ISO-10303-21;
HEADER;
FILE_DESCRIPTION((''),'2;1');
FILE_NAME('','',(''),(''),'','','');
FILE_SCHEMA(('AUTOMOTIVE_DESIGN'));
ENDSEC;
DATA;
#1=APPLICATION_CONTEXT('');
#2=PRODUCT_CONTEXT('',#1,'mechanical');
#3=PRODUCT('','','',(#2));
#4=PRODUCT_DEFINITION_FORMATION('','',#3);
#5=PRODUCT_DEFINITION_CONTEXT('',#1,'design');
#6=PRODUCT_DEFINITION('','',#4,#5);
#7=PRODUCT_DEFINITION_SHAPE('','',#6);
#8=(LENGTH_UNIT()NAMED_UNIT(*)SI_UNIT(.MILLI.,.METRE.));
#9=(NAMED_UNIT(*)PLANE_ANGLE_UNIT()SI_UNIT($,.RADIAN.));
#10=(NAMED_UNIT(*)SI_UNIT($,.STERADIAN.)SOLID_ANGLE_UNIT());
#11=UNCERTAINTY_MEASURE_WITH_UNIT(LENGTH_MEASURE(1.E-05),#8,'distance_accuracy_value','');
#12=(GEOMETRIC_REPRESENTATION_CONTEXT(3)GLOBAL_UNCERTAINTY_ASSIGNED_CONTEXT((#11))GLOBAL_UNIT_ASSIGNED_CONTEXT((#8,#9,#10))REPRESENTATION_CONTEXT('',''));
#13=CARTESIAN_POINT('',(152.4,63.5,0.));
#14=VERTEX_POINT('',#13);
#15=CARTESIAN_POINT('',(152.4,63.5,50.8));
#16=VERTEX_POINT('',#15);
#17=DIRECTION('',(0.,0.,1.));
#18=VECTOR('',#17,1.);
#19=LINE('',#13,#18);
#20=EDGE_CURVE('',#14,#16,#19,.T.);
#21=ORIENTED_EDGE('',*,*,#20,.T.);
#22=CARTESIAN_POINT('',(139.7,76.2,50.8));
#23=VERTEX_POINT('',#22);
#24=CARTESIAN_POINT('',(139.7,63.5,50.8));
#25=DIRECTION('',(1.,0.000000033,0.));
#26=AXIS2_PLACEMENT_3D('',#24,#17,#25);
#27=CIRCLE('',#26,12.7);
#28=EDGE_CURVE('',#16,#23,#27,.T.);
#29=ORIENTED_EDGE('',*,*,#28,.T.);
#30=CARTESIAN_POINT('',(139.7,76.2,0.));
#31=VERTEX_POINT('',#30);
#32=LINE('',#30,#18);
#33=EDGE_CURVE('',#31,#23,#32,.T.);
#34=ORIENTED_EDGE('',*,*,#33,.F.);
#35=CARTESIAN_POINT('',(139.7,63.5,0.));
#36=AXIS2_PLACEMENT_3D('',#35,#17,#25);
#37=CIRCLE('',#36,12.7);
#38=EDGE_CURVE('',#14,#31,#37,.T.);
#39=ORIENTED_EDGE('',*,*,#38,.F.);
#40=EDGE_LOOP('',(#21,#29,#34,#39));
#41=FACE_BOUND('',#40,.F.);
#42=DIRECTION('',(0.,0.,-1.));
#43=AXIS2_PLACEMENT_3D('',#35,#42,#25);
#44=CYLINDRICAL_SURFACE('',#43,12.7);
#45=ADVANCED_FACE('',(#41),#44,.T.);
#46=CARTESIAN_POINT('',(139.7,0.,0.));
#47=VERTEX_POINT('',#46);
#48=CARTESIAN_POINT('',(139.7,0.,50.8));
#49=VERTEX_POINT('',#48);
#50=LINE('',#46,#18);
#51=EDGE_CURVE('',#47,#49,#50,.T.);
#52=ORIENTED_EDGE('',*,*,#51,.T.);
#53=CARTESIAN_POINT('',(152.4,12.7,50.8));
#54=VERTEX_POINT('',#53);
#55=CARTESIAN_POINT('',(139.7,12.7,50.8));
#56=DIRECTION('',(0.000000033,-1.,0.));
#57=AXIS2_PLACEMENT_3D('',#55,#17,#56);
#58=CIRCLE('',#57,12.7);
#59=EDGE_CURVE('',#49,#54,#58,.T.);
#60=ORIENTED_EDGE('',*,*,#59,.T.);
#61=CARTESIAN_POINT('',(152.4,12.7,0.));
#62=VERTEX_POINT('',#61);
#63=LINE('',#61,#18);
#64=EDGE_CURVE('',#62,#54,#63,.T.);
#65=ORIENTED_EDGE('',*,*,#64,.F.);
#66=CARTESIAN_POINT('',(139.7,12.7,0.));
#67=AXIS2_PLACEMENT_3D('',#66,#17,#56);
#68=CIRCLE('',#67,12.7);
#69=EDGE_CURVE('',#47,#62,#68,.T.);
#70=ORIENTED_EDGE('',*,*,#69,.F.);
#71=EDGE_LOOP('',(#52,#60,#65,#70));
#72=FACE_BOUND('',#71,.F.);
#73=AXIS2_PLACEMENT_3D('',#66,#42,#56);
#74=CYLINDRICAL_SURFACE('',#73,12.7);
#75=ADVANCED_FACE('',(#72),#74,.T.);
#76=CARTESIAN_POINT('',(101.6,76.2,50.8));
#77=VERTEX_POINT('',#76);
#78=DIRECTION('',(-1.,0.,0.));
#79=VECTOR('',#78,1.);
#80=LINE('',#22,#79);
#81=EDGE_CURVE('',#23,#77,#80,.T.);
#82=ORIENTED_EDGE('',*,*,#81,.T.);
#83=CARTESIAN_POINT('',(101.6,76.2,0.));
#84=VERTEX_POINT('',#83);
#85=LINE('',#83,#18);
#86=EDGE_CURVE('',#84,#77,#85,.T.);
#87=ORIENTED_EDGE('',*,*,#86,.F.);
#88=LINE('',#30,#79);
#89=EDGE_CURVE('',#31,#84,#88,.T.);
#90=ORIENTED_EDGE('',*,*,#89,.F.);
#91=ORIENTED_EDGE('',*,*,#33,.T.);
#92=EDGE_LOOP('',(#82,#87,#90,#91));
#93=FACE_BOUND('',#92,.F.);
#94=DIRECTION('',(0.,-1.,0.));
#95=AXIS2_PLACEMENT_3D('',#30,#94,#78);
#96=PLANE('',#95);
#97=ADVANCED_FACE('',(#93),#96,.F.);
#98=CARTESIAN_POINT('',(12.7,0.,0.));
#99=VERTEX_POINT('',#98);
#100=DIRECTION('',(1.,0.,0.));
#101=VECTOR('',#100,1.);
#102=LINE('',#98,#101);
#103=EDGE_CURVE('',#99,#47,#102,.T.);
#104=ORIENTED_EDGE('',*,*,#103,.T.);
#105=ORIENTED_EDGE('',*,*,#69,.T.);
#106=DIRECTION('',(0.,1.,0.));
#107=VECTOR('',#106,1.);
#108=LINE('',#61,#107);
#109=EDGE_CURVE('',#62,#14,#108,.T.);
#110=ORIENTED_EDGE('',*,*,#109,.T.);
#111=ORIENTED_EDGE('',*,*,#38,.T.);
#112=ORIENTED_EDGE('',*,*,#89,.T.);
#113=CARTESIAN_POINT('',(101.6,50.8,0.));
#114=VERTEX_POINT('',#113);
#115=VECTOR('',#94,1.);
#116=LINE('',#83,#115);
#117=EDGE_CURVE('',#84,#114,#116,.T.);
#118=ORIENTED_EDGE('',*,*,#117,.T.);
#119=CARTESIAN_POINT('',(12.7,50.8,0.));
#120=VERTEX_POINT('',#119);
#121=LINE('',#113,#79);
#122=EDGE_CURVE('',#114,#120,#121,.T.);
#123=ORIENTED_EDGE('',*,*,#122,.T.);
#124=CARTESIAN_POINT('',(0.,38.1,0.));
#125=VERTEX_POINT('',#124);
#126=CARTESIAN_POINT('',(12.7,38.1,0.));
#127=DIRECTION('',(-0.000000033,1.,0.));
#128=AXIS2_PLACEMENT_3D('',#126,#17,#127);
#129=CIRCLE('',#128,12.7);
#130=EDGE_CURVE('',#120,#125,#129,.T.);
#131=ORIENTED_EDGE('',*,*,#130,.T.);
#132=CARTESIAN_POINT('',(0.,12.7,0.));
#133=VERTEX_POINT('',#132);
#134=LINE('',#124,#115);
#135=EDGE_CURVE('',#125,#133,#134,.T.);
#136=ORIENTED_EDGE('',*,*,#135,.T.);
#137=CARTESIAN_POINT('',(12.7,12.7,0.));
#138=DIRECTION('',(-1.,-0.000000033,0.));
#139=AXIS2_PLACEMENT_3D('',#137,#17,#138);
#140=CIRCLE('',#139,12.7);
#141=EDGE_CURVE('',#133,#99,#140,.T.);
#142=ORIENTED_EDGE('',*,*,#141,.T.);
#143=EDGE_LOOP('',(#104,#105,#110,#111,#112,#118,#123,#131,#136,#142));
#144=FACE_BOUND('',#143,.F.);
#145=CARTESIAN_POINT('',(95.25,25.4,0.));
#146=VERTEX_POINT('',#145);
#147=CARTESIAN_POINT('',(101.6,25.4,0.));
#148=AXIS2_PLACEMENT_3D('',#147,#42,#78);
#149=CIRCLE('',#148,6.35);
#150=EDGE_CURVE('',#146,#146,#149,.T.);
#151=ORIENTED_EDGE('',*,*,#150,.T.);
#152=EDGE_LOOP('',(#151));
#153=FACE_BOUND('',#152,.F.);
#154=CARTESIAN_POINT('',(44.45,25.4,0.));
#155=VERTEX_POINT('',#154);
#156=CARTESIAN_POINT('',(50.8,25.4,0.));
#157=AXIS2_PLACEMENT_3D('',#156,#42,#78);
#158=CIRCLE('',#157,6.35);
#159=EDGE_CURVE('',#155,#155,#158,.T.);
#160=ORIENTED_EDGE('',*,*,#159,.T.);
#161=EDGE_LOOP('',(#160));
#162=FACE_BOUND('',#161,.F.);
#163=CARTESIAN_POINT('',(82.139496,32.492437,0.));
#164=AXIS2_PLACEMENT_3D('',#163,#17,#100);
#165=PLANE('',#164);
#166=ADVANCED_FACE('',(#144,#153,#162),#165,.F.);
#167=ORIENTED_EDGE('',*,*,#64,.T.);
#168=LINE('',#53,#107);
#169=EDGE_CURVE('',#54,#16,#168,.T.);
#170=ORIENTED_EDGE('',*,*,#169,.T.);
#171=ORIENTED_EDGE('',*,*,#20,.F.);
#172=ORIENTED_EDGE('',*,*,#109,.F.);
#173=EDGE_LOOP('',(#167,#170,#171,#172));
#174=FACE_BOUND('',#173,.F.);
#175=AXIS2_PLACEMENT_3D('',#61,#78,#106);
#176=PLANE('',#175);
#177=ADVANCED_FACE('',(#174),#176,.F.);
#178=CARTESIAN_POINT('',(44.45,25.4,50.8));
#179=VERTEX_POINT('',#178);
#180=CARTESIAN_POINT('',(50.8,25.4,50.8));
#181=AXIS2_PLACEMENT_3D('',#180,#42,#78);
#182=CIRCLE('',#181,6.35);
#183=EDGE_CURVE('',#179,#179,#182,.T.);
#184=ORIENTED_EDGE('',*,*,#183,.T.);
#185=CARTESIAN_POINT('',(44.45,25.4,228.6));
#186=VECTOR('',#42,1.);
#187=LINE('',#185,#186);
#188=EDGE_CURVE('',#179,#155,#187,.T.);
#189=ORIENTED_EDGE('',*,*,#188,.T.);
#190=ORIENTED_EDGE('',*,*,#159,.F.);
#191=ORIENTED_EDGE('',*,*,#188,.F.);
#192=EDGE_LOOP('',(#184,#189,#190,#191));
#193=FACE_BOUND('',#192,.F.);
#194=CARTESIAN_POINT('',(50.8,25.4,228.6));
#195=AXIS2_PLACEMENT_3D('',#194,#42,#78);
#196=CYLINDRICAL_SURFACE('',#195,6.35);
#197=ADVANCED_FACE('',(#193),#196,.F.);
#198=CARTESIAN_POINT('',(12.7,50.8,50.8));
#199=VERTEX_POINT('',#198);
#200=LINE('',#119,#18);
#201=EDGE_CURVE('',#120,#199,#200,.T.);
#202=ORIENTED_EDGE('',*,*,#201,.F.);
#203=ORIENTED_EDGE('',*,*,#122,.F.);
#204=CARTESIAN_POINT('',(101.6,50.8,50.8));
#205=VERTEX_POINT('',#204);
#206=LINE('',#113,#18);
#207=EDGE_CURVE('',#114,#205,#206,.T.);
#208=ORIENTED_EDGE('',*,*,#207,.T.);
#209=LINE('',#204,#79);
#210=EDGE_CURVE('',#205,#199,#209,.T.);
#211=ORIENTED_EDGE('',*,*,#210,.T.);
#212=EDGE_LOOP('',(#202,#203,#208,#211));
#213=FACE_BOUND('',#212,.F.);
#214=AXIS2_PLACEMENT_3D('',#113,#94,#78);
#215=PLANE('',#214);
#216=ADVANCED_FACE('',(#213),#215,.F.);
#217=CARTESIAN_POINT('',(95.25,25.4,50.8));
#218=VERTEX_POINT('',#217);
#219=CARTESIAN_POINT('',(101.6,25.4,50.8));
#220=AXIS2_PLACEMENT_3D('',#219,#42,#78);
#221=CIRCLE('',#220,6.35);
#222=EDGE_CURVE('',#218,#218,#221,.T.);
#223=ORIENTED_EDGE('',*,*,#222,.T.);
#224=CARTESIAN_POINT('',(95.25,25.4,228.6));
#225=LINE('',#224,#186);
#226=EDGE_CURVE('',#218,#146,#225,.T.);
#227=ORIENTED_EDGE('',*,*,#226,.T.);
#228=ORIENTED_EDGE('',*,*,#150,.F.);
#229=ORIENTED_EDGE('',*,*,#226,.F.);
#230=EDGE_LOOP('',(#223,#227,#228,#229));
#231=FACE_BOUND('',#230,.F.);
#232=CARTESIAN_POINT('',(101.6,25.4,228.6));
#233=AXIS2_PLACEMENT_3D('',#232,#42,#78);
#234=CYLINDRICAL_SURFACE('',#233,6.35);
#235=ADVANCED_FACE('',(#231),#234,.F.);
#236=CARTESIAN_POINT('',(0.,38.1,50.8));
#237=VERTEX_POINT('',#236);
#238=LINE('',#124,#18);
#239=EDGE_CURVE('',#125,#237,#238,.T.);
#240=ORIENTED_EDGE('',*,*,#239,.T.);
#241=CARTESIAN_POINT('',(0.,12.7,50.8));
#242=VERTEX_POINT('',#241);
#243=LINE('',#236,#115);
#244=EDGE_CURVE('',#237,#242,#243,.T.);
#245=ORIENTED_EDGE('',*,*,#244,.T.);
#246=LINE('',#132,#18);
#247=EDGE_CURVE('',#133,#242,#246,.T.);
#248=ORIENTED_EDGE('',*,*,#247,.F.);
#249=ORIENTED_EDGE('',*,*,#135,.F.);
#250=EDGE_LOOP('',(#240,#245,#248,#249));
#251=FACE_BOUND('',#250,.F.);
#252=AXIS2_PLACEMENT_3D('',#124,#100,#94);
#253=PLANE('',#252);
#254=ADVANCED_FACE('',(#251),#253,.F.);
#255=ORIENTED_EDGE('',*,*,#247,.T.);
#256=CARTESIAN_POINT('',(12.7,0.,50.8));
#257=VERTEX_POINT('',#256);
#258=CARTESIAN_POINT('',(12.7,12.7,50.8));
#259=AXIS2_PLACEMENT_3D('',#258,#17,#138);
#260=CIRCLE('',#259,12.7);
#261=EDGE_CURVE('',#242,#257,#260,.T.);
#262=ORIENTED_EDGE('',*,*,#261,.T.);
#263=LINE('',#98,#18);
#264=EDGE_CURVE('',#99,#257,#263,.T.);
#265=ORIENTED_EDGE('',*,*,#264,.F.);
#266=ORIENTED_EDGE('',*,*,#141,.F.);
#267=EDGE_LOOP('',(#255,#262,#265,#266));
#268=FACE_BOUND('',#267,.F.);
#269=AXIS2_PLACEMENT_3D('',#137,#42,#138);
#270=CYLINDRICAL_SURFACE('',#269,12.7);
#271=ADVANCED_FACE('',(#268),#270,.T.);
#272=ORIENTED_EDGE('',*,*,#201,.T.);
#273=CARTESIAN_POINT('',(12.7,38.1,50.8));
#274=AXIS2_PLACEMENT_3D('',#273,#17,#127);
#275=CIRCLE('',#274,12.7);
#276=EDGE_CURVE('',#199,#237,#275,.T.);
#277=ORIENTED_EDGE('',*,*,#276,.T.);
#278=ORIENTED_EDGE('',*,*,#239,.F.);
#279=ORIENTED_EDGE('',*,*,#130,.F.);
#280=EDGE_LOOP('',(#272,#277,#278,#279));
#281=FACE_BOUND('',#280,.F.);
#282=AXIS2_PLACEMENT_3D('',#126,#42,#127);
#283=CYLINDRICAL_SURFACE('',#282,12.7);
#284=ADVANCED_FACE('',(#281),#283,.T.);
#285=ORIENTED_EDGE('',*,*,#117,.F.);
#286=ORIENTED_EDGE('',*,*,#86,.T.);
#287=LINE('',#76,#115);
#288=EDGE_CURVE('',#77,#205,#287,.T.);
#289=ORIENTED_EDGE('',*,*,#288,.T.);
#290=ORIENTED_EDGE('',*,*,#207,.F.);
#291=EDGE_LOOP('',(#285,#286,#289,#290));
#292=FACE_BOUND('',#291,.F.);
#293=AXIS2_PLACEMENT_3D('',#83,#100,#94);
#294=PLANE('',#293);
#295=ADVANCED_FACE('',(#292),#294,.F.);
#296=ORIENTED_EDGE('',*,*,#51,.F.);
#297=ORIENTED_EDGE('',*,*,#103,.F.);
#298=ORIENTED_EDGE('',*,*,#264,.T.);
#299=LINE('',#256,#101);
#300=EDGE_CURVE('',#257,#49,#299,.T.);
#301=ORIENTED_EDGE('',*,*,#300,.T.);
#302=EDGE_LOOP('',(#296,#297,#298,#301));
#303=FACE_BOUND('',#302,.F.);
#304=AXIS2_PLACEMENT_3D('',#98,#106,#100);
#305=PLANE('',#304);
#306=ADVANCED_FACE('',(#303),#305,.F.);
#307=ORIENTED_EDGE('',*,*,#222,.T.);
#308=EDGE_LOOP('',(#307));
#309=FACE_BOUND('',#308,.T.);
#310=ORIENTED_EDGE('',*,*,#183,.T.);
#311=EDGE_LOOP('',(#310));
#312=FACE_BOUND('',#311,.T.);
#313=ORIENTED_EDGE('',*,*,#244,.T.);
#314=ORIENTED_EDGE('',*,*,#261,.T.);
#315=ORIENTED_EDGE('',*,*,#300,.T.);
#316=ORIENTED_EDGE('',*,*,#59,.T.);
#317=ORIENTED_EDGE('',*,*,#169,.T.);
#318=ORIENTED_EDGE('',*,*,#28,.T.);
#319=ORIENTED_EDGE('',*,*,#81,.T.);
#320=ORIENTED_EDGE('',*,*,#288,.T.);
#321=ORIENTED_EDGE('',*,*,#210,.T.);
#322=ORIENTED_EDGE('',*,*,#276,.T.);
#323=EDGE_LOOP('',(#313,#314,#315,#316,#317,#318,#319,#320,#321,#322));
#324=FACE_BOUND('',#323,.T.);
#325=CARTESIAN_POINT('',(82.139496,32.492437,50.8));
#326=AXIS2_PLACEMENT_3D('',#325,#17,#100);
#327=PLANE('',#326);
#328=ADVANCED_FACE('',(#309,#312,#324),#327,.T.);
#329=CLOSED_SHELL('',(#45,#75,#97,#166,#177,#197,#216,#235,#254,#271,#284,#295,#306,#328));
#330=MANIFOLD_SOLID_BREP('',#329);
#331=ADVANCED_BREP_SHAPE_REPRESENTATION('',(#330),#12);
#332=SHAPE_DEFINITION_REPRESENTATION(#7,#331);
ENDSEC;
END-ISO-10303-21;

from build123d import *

# Parameters (mm, degrees)
F1_DEPTH = 50.8
F3_D     = 12.7


with BuildPart() as f1:
    # F0 (on Top) → F1 (new body)
    with BuildSketch(Plane.XY):
        with BuildLine():
            ThreePointArc((0, 12.7), (3.719744, 3.719744), (12.7, 0))
            Line((12.7, 0), (139.7, 0))
            ThreePointArc((139.7, 0), (148.680256, 3.719744), (152.4, 12.7))
            Line((152.4, 12.7), (152.4, 63.5))
            ThreePointArc((152.4, 63.5), (148.680256, 72.480256), (139.7, 76.2))
            Line((139.7, 76.2), (101.6, 76.2))
            Line((101.6, 76.2), (101.6, 50.8))
            Line((101.6, 50.8), (12.7, 50.8))
            ThreePointArc((12.7, 50.8), (3.719744, 47.080256), (0, 38.1))
            Line((0, 38.1), (0, 12.7))
        make_face()
    extrude(amount=F1_DEPTH)

    # F3 (through all)
    with Locations(Plane.XY.offset(50.8)):
        with Locations((50.8, 25.4), (101.6, 25.4)):
            Hole(F3_D / 2)


solid = f1.part
